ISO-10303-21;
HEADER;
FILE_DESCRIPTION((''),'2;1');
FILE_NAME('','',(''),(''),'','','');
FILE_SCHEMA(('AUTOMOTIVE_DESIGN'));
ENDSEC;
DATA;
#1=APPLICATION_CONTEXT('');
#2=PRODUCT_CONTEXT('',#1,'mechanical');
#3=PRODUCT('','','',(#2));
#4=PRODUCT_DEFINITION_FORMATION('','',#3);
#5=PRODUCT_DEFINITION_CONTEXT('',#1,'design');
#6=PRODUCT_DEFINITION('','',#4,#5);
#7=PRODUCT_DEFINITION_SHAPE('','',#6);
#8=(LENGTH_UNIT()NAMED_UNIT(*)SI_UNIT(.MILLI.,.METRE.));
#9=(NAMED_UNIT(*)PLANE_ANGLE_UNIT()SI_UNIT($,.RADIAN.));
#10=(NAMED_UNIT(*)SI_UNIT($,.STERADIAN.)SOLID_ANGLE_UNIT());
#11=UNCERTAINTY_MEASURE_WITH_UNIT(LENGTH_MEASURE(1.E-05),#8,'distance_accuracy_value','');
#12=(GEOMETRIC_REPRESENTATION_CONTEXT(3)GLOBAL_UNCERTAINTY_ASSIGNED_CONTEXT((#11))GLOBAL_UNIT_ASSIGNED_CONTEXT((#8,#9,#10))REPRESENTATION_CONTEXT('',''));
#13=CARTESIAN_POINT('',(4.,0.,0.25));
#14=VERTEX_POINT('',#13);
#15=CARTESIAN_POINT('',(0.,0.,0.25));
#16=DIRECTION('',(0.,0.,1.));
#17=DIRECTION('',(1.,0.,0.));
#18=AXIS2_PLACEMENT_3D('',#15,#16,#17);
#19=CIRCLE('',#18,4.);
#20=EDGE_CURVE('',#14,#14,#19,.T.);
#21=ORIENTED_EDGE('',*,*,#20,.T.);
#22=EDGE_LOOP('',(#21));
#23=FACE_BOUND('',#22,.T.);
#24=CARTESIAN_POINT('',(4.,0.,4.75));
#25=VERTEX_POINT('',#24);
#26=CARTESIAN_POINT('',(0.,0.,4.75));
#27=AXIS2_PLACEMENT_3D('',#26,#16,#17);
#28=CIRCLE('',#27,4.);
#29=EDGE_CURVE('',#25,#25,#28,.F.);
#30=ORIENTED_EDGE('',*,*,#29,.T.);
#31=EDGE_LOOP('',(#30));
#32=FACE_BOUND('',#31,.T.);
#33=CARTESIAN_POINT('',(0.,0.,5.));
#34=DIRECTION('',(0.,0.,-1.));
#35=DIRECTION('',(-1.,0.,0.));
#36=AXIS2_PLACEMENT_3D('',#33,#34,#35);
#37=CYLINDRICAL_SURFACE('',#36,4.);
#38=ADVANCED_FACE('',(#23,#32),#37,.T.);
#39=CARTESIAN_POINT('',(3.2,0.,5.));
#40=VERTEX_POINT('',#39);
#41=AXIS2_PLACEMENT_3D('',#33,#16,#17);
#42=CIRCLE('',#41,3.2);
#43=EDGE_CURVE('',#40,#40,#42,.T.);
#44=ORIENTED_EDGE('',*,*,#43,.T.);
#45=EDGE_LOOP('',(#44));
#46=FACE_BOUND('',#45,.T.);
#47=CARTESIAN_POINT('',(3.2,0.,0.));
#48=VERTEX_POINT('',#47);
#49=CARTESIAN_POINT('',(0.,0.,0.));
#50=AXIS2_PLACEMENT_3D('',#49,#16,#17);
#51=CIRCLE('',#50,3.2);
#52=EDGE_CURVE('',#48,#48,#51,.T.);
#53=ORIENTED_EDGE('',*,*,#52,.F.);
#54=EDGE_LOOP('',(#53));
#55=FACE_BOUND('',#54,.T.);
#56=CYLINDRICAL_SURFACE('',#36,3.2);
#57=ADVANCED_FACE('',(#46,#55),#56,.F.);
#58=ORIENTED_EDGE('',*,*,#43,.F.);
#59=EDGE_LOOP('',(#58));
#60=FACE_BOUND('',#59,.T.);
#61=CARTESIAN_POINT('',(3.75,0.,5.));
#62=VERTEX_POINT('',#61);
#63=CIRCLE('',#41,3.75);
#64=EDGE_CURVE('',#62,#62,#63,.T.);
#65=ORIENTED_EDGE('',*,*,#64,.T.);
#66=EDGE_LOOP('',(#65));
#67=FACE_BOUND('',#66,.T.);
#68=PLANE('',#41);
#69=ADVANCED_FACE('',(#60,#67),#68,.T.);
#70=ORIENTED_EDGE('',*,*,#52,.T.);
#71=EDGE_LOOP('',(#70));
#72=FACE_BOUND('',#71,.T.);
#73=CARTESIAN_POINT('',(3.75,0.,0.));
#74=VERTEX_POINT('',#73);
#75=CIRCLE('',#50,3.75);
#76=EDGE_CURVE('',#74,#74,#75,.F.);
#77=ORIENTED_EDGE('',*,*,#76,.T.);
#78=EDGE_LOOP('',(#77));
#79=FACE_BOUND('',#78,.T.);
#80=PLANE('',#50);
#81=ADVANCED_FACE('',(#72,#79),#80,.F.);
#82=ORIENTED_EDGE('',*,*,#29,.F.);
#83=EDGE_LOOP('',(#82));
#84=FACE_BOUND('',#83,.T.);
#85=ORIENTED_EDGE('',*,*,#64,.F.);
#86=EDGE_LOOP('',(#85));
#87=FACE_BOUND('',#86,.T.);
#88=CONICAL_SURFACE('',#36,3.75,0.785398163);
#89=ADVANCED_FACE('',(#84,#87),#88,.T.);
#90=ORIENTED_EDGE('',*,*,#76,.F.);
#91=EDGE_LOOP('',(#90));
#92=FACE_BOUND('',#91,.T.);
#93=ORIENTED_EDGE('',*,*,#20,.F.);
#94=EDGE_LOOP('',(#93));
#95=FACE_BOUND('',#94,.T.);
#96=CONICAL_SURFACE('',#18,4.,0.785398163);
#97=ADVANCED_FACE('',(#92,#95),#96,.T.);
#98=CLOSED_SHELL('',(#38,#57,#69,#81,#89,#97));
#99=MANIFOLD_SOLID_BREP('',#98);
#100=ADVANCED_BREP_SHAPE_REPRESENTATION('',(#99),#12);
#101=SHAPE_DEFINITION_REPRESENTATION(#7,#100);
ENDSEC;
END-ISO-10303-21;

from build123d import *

# Parameters (mm, degrees)
SKETCH1_R           = 4
SKETCH1_R_2         = 3.2
BOSS_EXTRUDE1_DEPTH = 5
CHAMFER1_SIZE       = 0.25


with BuildPart() as part:
    # Sketch1 → Boss-Extrude1 (new body)
    with BuildSketch(Plane.XY):
        Circle(SKETCH1_R)
        Circle(SKETCH1_R_2, mode=Mode.SUBTRACT)
    extrude(amount=BOSS_EXTRUDE1_DEPTH)

    # Chamfer1
    chamfer1_edges = [part.edges().sort_by_distance(p)[0] for p in [
        (-4, 0, 0),
        (-4, 0, 5),
    ]]
    chamfer(chamfer1_edges, length=CHAMFER1_SIZE)


solid = part.part
